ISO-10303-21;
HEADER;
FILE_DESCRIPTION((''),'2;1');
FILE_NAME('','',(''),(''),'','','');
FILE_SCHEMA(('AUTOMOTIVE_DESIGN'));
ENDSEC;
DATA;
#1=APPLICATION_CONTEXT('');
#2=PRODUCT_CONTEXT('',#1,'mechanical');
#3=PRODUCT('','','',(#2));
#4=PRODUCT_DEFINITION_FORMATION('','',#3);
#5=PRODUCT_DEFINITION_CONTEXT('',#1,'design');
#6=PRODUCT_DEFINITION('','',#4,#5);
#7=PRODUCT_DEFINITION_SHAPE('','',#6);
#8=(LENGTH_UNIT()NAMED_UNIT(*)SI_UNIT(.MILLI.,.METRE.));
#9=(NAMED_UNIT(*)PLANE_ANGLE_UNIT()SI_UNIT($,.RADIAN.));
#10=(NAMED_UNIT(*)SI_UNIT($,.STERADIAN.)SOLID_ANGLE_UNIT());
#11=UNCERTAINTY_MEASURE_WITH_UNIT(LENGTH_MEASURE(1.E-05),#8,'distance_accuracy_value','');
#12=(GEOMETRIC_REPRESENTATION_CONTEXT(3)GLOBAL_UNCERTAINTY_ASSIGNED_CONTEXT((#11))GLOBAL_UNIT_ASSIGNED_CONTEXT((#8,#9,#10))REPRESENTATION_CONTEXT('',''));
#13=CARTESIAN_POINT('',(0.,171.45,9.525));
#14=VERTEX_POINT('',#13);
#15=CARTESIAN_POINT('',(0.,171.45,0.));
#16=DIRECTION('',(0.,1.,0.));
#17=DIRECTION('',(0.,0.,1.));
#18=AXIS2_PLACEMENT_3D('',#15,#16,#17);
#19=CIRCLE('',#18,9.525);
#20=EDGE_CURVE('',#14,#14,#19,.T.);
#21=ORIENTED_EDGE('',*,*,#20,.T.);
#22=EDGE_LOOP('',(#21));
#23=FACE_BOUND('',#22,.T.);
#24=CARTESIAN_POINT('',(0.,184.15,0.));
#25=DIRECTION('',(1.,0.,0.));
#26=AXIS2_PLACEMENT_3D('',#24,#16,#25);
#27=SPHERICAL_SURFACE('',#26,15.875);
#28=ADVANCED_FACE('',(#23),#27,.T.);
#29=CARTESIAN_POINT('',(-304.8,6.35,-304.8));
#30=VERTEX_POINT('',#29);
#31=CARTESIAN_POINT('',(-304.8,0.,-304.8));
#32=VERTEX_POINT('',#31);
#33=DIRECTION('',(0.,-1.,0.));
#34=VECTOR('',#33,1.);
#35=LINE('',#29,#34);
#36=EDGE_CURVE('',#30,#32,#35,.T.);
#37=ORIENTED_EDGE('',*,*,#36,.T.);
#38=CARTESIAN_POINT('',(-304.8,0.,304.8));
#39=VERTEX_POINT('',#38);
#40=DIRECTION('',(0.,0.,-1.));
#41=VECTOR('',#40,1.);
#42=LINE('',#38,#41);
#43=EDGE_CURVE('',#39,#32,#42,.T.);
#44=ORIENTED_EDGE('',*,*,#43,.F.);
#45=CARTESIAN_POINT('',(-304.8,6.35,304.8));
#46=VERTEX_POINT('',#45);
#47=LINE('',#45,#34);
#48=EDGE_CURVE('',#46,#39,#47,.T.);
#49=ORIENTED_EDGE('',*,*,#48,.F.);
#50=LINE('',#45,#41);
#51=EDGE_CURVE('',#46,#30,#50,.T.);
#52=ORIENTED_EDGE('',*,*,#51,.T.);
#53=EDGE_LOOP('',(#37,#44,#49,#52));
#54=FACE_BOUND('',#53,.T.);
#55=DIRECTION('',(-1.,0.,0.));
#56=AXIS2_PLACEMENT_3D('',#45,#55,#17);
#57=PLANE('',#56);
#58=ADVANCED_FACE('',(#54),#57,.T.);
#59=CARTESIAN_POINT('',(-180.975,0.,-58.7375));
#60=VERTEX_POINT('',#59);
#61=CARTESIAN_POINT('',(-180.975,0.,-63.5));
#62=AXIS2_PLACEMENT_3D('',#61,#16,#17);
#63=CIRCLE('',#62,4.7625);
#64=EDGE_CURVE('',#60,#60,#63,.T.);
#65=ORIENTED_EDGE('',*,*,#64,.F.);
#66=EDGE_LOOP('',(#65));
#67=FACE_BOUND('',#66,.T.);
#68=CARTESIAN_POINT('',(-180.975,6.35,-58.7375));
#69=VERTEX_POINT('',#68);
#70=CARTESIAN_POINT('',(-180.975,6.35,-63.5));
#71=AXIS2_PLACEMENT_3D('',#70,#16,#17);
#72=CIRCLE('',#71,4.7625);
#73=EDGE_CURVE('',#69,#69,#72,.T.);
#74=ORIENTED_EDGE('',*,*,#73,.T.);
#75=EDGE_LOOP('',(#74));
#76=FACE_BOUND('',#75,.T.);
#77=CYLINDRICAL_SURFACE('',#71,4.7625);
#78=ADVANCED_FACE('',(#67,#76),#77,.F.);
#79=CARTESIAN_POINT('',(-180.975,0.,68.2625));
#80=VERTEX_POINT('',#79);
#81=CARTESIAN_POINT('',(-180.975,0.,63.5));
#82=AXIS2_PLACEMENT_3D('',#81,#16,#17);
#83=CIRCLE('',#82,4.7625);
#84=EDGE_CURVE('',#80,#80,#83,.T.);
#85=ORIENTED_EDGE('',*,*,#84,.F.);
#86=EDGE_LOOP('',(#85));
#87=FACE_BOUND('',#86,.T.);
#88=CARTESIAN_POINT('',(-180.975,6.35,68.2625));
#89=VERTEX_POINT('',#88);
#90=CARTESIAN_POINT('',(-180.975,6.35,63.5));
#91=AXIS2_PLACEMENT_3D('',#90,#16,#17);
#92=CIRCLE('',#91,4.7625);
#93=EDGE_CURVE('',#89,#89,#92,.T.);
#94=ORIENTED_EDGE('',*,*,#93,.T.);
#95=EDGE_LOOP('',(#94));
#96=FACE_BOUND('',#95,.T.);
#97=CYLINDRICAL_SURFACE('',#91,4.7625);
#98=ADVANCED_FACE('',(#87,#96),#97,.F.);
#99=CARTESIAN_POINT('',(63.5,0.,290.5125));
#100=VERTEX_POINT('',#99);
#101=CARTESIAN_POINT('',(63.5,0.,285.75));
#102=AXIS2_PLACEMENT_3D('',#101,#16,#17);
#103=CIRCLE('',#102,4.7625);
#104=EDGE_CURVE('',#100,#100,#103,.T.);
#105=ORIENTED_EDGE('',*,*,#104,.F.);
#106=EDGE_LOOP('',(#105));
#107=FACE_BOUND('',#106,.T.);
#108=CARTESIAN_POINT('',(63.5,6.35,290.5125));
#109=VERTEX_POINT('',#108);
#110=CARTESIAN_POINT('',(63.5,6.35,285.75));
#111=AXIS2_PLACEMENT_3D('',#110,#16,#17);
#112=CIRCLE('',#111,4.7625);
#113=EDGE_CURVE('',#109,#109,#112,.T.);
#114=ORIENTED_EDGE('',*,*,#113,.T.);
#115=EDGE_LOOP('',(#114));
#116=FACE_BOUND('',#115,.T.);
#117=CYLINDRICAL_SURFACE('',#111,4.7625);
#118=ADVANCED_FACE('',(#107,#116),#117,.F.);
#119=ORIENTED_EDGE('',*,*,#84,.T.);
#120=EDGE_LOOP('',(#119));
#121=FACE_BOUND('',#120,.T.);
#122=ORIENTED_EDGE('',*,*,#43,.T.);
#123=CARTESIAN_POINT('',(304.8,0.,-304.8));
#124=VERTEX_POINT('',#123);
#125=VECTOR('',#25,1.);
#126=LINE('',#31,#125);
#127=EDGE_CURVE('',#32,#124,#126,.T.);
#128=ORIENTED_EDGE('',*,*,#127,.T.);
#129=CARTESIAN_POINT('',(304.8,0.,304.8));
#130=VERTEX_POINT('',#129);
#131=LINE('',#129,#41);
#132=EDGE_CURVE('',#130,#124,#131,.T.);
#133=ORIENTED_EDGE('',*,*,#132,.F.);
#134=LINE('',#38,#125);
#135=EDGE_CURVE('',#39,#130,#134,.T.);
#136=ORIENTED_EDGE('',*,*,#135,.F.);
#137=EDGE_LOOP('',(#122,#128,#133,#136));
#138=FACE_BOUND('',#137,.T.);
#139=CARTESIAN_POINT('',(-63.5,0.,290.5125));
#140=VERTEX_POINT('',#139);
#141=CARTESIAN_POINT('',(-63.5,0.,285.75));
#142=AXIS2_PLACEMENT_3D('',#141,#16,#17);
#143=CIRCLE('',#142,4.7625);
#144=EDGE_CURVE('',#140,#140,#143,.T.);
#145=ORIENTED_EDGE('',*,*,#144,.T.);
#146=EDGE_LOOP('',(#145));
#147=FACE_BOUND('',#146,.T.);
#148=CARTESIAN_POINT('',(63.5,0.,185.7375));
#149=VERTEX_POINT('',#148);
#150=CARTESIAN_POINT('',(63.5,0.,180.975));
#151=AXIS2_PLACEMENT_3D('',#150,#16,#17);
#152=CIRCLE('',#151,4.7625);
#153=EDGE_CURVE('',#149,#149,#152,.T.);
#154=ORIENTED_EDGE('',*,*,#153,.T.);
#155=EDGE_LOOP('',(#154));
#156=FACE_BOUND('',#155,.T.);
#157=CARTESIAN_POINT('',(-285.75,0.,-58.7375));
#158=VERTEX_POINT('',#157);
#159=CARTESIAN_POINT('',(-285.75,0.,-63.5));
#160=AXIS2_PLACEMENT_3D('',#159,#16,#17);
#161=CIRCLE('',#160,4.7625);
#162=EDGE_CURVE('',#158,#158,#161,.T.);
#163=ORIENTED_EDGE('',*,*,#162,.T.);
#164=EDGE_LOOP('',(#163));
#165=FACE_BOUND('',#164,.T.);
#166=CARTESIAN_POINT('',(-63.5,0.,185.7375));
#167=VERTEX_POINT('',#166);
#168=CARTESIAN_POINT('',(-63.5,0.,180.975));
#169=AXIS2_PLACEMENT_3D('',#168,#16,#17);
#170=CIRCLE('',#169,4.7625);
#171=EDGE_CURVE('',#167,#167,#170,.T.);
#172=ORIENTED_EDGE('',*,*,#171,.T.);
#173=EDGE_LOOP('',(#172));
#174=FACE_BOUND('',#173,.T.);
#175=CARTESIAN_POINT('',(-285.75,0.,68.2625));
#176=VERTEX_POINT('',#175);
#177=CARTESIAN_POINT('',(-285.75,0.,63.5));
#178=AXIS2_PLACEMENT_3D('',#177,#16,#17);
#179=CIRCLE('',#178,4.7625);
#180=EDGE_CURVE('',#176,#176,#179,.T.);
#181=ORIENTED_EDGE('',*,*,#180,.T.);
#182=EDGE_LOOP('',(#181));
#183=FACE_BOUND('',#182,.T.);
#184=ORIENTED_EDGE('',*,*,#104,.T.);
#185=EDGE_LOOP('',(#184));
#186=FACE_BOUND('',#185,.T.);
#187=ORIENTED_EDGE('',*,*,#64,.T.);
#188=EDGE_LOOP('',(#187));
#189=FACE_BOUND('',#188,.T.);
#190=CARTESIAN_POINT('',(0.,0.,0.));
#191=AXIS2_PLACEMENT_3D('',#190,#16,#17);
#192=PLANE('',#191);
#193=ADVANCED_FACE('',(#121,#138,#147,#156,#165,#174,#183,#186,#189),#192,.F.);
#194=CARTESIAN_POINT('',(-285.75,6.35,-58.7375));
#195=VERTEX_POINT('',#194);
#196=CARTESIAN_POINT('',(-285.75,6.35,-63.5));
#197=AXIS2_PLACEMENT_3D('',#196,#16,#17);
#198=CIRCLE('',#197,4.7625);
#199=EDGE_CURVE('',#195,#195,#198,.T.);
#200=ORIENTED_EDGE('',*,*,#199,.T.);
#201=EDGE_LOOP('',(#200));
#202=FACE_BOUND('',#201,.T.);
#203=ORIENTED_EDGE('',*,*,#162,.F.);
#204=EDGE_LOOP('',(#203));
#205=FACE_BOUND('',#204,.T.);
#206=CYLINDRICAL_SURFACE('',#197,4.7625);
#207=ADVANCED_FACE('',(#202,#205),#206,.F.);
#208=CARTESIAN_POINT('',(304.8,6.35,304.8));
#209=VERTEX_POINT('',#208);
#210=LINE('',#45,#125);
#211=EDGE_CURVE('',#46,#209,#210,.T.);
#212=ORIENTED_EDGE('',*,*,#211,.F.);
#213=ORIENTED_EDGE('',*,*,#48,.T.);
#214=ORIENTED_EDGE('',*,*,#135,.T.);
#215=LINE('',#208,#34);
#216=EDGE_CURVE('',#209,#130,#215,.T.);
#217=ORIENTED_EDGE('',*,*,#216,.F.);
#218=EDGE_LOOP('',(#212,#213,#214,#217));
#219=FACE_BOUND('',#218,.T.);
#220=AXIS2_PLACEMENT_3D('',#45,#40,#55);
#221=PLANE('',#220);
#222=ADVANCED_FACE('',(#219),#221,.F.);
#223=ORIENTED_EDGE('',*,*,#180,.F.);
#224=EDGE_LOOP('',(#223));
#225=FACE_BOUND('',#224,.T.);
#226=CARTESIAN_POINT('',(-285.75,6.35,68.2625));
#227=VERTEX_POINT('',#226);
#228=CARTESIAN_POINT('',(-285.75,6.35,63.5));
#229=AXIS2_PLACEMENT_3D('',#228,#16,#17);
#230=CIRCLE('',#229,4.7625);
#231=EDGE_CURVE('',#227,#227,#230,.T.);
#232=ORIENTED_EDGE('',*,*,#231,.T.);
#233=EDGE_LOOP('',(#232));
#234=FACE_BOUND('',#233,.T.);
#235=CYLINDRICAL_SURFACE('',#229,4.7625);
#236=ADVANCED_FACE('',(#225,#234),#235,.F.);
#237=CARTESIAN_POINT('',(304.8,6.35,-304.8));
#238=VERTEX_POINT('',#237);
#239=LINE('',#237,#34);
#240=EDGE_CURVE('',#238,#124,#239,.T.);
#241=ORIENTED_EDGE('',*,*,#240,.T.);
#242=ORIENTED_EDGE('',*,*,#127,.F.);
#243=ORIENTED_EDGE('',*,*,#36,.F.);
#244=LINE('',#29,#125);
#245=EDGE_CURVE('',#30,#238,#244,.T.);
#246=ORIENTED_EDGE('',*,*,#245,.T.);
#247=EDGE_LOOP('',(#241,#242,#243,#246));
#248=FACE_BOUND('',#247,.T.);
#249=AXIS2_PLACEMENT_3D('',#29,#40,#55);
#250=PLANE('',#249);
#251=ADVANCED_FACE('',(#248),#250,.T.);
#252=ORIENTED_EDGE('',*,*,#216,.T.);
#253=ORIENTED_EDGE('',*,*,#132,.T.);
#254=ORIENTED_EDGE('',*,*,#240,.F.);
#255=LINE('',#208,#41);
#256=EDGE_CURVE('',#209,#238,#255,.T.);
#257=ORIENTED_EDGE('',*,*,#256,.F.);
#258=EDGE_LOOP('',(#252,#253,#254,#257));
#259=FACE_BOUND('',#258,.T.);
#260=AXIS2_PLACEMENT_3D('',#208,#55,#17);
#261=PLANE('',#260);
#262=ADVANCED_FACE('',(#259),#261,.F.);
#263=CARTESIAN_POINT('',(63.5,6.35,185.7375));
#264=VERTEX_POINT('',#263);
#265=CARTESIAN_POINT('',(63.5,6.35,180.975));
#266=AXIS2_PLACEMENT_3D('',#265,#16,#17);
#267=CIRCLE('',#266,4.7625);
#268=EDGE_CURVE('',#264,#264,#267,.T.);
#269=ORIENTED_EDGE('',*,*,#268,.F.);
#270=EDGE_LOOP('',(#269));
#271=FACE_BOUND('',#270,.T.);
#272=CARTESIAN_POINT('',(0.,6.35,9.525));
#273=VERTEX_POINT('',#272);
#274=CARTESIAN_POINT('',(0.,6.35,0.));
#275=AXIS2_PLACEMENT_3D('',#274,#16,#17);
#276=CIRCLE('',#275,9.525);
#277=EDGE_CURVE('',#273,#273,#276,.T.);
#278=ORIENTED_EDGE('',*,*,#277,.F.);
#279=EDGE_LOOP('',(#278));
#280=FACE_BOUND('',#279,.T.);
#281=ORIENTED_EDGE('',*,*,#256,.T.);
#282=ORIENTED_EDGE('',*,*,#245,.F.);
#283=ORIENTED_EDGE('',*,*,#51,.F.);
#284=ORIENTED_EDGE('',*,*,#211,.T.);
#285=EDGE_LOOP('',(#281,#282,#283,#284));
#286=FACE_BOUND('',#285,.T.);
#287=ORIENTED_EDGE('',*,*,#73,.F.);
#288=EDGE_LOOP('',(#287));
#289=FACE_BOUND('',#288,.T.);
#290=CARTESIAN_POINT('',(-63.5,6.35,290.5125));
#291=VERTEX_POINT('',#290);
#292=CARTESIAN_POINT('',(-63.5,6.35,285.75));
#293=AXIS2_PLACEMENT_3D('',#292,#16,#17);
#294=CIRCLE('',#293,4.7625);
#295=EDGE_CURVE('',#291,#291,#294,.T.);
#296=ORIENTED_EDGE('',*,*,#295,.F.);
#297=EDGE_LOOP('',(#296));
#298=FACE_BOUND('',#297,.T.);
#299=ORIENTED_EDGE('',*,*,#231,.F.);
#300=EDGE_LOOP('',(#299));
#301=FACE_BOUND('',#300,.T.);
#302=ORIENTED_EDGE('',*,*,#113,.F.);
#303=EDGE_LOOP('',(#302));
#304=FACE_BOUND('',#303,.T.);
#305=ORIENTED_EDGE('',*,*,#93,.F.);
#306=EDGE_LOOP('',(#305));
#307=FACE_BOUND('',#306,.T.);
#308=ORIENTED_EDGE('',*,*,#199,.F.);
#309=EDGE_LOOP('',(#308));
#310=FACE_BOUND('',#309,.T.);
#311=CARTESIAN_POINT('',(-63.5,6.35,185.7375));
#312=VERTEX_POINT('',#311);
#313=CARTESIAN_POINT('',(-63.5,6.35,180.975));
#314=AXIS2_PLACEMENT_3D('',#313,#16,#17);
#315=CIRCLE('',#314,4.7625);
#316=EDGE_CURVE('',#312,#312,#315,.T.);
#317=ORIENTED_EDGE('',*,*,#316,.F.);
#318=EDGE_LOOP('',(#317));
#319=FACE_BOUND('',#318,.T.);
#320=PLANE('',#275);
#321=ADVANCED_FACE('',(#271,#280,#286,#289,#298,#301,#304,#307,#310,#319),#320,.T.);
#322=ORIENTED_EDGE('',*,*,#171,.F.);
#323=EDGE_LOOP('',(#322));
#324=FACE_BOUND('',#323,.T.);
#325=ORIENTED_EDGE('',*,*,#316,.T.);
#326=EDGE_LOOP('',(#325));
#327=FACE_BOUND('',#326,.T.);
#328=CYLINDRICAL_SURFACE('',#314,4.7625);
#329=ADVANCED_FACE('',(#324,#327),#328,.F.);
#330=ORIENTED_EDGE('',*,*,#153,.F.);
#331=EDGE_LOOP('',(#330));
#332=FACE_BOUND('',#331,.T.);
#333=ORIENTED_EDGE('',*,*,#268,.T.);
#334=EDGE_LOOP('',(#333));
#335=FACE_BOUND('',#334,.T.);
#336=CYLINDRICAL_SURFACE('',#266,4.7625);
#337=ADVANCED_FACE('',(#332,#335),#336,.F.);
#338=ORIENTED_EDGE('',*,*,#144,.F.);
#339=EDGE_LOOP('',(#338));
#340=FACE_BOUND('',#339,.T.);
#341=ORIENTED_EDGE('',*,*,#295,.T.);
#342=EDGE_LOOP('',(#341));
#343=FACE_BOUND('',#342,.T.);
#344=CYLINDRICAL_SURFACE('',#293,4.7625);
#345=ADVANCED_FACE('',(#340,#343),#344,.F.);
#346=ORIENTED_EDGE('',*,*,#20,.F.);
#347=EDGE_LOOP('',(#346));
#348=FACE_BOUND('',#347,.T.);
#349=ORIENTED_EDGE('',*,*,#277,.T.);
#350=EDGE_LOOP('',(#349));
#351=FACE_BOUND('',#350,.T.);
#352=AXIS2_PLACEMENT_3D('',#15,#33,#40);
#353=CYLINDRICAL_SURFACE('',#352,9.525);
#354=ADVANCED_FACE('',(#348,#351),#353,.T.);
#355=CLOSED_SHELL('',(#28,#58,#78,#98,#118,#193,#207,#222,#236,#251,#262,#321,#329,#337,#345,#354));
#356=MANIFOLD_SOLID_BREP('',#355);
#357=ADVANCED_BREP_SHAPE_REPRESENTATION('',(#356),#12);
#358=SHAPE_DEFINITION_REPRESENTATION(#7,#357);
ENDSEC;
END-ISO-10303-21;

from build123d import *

# Parameters (mm, degrees)
SKETCH1_W                        = 609.6
SKETCH1_H                        = 609.6
BOSS_EXTRUDE1_DEPTH              = 6.35
F_3_8_0_375_DIAMETER_HOLE1_D     = 9.525
F_3_8_0_375_DIAMETER_HOLE1_DEPTH = 11.684
F_3_8_0_375_DIAMETER_HOLE1_TIP   = 2.861598698
SKETCH4_R                        = 9.525
BOSS_EXTRUDE2_DEPTH              = 165.1


with BuildPart() as part:
    # Sketch1 → Boss-Extrude1 (new body)
    with BuildSketch(Plane(origin=(0, 0, 0), x_dir=(1, 0, 0), z_dir=(0, 1, 0))):
        Rectangle(SKETCH1_W, SKETCH1_H)
    extrude(amount=BOSS_EXTRUDE1_DEPTH)

    # 3/8 (0.375) Diameter Hole1
    with Locations(Plane(origin=(0, 6.35, 0), x_dir=(1, 0, 0), z_dir=(0, 1, 0))):
        with Locations((-63.5, -285.75), (63.5, -285.75), (-285.75, 63.5), (-285.75, -63.5), (-63.5, -180.975), (63.5, -180.975), (-180.975, -63.5), (-180.975, 63.5)):
            Hole(F_3_8_0_375_DIAMETER_HOLE1_D / 2, depth=F_3_8_0_375_DIAMETER_HOLE1_DEPTH)
            with Locations((0, 0, -(F_3_8_0_375_DIAMETER_HOLE1_DEPTH + F_3_8_0_375_DIAMETER_HOLE1_TIP / 2))):  # 118° drill point
                Cone(0, F_3_8_0_375_DIAMETER_HOLE1_D / 2, F_3_8_0_375_DIAMETER_HOLE1_TIP, mode=Mode.SUBTRACT)

    # Sketch4 → Boss-Extrude2 (add)
    with BuildSketch(Plane(origin=(0, 6.35, 0), x_dir=(1, 0, 0), z_dir=(0, 1, 0))):
        Circle(SKETCH4_R)
    extrude(amount=BOSS_EXTRUDE2_DEPTH)

    # Sketch5 → Revolve3 (revolve)
    with BuildSketch(Plane.XY):
        with BuildLine():
            Line((0, 200.025), (0, 168.275))
            ThreePointArc((0, 168.275), (-15.875, 184.15), (0, 200.025))
        make_face()
    revolve(axis=Axis((0, 599.823656089, 0), (0, -1, 0)))


solid = part.part
